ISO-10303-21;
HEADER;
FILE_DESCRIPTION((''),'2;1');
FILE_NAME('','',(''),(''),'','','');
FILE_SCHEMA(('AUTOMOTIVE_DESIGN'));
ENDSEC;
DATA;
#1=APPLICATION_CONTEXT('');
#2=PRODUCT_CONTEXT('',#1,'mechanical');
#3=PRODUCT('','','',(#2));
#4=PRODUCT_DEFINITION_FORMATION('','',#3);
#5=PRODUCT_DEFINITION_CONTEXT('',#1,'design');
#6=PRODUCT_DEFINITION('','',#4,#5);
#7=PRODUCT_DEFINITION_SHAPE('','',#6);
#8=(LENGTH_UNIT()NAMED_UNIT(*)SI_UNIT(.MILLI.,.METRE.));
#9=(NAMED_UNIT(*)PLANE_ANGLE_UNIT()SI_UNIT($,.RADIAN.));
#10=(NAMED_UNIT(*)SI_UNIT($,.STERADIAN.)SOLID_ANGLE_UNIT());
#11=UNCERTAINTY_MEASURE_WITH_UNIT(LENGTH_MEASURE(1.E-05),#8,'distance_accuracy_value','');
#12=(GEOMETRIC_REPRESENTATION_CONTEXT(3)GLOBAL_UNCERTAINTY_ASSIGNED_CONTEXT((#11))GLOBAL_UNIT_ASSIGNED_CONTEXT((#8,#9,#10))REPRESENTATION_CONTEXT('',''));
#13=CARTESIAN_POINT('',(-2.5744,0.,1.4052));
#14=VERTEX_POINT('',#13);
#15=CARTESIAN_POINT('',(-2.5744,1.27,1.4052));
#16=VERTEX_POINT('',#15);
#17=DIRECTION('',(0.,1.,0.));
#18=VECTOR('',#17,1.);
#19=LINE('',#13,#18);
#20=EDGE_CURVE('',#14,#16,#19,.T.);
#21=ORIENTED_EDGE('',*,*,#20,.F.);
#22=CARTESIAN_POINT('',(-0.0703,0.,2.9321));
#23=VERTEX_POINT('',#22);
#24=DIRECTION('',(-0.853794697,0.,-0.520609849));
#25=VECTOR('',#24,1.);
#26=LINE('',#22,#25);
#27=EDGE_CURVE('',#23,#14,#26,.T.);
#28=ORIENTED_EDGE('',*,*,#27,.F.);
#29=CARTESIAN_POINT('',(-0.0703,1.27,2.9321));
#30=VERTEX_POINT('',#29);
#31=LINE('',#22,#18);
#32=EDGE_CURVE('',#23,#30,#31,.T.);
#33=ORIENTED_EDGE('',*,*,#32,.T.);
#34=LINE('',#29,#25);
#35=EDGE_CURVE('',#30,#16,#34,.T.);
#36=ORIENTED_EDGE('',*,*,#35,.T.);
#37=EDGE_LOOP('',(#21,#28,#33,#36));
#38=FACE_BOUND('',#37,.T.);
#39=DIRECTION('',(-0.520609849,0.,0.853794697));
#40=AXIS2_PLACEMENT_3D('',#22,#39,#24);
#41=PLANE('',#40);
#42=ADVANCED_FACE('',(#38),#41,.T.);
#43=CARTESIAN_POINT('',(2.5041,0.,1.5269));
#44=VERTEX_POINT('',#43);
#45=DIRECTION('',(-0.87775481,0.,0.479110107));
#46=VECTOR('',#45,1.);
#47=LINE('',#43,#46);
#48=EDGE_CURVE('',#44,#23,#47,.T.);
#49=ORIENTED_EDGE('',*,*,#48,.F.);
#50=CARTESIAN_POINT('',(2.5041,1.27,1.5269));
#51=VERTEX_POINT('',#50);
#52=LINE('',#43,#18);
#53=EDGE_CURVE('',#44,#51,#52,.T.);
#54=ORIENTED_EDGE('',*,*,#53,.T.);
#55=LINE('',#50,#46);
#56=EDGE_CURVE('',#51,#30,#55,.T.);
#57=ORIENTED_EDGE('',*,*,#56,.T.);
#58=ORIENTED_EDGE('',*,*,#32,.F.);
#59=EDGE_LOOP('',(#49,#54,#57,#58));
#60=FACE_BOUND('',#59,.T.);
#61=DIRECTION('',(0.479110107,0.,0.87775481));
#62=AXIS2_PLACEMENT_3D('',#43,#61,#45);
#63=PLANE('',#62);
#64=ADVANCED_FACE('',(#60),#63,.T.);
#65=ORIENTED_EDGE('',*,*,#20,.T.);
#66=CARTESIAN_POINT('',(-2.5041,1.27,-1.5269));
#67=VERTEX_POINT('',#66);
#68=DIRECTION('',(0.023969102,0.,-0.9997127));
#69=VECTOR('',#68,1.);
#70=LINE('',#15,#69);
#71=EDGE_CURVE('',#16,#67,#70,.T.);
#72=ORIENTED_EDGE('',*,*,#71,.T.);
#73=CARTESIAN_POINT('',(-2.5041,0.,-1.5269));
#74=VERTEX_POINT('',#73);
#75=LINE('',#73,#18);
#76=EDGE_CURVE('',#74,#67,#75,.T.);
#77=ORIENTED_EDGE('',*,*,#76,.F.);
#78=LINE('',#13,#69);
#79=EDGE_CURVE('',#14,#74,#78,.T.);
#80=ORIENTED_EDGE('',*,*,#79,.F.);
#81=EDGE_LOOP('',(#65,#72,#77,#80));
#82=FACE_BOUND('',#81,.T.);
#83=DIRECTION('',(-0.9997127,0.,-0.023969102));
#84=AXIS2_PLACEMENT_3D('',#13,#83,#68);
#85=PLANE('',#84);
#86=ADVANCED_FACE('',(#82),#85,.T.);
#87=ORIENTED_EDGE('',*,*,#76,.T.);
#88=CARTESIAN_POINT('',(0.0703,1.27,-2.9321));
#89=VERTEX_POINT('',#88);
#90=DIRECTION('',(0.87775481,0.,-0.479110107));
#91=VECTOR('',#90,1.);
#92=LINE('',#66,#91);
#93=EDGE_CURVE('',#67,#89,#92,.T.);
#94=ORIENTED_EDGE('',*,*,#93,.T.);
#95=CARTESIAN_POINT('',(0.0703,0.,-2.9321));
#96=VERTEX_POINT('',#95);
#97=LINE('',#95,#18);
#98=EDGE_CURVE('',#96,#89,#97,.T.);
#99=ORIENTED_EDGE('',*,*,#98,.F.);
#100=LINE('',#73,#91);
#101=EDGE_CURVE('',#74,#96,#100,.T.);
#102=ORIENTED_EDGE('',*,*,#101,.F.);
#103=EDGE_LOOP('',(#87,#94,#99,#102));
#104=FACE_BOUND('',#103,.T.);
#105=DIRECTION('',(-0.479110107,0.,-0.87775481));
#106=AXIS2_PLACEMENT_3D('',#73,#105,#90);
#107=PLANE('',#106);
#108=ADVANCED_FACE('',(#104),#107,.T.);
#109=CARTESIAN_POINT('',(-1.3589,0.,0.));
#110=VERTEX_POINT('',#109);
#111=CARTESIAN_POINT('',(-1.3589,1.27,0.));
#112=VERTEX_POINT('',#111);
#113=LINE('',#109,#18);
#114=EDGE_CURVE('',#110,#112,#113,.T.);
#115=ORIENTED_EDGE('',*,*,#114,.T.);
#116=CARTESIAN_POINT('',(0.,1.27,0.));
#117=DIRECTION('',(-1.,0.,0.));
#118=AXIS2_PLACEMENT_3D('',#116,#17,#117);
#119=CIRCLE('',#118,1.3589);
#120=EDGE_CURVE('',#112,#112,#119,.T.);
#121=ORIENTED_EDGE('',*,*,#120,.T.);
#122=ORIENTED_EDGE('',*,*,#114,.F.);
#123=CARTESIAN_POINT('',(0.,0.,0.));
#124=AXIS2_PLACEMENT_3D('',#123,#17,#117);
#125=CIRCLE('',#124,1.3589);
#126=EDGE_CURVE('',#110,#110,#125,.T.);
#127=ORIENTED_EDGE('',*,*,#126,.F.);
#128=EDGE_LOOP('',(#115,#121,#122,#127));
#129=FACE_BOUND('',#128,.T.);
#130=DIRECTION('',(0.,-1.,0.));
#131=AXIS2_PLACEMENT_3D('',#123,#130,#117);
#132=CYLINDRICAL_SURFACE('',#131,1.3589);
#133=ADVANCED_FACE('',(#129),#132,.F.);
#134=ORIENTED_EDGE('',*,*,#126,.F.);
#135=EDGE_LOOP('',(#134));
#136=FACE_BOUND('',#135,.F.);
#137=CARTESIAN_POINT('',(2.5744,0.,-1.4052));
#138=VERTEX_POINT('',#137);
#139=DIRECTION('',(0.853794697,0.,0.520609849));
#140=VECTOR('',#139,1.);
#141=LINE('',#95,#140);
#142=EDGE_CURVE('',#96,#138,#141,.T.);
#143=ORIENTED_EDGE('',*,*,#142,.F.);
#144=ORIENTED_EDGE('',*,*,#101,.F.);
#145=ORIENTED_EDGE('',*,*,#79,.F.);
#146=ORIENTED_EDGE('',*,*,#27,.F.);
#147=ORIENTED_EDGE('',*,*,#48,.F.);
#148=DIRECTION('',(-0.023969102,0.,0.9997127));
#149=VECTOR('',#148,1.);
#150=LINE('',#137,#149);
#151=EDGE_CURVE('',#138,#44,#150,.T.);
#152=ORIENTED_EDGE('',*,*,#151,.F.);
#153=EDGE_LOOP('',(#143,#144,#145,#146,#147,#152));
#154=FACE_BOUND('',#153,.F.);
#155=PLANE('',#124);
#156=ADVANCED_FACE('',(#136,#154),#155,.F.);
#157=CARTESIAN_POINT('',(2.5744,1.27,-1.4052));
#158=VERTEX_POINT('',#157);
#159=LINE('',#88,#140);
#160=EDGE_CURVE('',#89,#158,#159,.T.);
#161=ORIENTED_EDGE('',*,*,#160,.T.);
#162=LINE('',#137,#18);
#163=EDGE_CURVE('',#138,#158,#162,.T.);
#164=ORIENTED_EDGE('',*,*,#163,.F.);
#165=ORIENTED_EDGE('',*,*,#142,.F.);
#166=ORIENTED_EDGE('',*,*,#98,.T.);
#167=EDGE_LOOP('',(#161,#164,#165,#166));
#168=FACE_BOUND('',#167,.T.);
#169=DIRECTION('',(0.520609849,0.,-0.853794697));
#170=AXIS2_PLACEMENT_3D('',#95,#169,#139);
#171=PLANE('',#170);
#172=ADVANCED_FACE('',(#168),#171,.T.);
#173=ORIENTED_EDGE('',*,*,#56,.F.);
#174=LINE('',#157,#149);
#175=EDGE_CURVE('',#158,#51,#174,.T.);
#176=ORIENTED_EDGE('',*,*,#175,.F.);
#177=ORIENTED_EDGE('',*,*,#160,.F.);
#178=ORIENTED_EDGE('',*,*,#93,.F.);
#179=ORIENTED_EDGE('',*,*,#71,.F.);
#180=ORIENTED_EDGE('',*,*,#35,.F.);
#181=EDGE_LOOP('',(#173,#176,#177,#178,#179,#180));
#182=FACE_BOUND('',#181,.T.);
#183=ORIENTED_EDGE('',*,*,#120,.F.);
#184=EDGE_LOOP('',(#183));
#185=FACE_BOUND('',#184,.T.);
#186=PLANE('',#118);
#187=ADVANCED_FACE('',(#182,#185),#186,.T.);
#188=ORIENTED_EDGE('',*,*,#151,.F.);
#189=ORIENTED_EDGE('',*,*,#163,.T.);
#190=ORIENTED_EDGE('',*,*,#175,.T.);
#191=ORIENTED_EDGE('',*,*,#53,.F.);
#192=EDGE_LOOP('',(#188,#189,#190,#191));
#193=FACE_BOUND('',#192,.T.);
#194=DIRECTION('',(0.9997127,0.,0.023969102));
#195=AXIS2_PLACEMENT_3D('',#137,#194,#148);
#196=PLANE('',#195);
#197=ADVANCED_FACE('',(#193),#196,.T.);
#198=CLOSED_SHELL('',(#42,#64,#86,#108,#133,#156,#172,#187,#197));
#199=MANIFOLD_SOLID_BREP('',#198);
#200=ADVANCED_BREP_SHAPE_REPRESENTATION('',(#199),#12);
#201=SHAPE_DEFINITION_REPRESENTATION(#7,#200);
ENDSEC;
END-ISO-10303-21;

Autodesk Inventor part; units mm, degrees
ref_plane "YZ Plane" through (0, 0, 0) normal (1, 0, 0) x (0, 1, 0)
ref_plane "XZ Plane" through (0, 0, 0) normal (0, 1, 0) x (-1, 0, 0)
ref_plane "XY Plane" through (0, 0, 0) normal (0, 0, 1) x (1, 0, 0)
sketch "Sketch1" plane through (0, 0, 0) normal (0, 1, 0) x (-1, 0, 0)
  line L0 (2.5744, 1.4052) -> (2.5041, -1.5269)
  line L1 (2.5041, -1.5269) -> (-0.0703, -2.9321)
  line L2 (-0.0703, -2.9321) -> (-2.5744, -1.4052)
  line L3 (-2.5744, -1.4052) -> (-2.5041, 1.5269)
  line L4 (-2.5041, 1.5269) -> (0.0703, 2.9321)
  line L5 (0.0703, 2.9321) -> (2.5744, 1.4052)
  circle A0 centre (0, 0) radius 1.3589
  dimension "d0" = 2.7178
  dimension "d1" = 5.08
extrude "Extrusion1" add sketch "Sketch1" along normal blind 1.27
thread "Thread1" size "4-40 UNC" class "2B" standard "ANSI Unified Screw Threads" full length
properties part number "Electronics Mounting nut" material "Steel, Galvanized"
